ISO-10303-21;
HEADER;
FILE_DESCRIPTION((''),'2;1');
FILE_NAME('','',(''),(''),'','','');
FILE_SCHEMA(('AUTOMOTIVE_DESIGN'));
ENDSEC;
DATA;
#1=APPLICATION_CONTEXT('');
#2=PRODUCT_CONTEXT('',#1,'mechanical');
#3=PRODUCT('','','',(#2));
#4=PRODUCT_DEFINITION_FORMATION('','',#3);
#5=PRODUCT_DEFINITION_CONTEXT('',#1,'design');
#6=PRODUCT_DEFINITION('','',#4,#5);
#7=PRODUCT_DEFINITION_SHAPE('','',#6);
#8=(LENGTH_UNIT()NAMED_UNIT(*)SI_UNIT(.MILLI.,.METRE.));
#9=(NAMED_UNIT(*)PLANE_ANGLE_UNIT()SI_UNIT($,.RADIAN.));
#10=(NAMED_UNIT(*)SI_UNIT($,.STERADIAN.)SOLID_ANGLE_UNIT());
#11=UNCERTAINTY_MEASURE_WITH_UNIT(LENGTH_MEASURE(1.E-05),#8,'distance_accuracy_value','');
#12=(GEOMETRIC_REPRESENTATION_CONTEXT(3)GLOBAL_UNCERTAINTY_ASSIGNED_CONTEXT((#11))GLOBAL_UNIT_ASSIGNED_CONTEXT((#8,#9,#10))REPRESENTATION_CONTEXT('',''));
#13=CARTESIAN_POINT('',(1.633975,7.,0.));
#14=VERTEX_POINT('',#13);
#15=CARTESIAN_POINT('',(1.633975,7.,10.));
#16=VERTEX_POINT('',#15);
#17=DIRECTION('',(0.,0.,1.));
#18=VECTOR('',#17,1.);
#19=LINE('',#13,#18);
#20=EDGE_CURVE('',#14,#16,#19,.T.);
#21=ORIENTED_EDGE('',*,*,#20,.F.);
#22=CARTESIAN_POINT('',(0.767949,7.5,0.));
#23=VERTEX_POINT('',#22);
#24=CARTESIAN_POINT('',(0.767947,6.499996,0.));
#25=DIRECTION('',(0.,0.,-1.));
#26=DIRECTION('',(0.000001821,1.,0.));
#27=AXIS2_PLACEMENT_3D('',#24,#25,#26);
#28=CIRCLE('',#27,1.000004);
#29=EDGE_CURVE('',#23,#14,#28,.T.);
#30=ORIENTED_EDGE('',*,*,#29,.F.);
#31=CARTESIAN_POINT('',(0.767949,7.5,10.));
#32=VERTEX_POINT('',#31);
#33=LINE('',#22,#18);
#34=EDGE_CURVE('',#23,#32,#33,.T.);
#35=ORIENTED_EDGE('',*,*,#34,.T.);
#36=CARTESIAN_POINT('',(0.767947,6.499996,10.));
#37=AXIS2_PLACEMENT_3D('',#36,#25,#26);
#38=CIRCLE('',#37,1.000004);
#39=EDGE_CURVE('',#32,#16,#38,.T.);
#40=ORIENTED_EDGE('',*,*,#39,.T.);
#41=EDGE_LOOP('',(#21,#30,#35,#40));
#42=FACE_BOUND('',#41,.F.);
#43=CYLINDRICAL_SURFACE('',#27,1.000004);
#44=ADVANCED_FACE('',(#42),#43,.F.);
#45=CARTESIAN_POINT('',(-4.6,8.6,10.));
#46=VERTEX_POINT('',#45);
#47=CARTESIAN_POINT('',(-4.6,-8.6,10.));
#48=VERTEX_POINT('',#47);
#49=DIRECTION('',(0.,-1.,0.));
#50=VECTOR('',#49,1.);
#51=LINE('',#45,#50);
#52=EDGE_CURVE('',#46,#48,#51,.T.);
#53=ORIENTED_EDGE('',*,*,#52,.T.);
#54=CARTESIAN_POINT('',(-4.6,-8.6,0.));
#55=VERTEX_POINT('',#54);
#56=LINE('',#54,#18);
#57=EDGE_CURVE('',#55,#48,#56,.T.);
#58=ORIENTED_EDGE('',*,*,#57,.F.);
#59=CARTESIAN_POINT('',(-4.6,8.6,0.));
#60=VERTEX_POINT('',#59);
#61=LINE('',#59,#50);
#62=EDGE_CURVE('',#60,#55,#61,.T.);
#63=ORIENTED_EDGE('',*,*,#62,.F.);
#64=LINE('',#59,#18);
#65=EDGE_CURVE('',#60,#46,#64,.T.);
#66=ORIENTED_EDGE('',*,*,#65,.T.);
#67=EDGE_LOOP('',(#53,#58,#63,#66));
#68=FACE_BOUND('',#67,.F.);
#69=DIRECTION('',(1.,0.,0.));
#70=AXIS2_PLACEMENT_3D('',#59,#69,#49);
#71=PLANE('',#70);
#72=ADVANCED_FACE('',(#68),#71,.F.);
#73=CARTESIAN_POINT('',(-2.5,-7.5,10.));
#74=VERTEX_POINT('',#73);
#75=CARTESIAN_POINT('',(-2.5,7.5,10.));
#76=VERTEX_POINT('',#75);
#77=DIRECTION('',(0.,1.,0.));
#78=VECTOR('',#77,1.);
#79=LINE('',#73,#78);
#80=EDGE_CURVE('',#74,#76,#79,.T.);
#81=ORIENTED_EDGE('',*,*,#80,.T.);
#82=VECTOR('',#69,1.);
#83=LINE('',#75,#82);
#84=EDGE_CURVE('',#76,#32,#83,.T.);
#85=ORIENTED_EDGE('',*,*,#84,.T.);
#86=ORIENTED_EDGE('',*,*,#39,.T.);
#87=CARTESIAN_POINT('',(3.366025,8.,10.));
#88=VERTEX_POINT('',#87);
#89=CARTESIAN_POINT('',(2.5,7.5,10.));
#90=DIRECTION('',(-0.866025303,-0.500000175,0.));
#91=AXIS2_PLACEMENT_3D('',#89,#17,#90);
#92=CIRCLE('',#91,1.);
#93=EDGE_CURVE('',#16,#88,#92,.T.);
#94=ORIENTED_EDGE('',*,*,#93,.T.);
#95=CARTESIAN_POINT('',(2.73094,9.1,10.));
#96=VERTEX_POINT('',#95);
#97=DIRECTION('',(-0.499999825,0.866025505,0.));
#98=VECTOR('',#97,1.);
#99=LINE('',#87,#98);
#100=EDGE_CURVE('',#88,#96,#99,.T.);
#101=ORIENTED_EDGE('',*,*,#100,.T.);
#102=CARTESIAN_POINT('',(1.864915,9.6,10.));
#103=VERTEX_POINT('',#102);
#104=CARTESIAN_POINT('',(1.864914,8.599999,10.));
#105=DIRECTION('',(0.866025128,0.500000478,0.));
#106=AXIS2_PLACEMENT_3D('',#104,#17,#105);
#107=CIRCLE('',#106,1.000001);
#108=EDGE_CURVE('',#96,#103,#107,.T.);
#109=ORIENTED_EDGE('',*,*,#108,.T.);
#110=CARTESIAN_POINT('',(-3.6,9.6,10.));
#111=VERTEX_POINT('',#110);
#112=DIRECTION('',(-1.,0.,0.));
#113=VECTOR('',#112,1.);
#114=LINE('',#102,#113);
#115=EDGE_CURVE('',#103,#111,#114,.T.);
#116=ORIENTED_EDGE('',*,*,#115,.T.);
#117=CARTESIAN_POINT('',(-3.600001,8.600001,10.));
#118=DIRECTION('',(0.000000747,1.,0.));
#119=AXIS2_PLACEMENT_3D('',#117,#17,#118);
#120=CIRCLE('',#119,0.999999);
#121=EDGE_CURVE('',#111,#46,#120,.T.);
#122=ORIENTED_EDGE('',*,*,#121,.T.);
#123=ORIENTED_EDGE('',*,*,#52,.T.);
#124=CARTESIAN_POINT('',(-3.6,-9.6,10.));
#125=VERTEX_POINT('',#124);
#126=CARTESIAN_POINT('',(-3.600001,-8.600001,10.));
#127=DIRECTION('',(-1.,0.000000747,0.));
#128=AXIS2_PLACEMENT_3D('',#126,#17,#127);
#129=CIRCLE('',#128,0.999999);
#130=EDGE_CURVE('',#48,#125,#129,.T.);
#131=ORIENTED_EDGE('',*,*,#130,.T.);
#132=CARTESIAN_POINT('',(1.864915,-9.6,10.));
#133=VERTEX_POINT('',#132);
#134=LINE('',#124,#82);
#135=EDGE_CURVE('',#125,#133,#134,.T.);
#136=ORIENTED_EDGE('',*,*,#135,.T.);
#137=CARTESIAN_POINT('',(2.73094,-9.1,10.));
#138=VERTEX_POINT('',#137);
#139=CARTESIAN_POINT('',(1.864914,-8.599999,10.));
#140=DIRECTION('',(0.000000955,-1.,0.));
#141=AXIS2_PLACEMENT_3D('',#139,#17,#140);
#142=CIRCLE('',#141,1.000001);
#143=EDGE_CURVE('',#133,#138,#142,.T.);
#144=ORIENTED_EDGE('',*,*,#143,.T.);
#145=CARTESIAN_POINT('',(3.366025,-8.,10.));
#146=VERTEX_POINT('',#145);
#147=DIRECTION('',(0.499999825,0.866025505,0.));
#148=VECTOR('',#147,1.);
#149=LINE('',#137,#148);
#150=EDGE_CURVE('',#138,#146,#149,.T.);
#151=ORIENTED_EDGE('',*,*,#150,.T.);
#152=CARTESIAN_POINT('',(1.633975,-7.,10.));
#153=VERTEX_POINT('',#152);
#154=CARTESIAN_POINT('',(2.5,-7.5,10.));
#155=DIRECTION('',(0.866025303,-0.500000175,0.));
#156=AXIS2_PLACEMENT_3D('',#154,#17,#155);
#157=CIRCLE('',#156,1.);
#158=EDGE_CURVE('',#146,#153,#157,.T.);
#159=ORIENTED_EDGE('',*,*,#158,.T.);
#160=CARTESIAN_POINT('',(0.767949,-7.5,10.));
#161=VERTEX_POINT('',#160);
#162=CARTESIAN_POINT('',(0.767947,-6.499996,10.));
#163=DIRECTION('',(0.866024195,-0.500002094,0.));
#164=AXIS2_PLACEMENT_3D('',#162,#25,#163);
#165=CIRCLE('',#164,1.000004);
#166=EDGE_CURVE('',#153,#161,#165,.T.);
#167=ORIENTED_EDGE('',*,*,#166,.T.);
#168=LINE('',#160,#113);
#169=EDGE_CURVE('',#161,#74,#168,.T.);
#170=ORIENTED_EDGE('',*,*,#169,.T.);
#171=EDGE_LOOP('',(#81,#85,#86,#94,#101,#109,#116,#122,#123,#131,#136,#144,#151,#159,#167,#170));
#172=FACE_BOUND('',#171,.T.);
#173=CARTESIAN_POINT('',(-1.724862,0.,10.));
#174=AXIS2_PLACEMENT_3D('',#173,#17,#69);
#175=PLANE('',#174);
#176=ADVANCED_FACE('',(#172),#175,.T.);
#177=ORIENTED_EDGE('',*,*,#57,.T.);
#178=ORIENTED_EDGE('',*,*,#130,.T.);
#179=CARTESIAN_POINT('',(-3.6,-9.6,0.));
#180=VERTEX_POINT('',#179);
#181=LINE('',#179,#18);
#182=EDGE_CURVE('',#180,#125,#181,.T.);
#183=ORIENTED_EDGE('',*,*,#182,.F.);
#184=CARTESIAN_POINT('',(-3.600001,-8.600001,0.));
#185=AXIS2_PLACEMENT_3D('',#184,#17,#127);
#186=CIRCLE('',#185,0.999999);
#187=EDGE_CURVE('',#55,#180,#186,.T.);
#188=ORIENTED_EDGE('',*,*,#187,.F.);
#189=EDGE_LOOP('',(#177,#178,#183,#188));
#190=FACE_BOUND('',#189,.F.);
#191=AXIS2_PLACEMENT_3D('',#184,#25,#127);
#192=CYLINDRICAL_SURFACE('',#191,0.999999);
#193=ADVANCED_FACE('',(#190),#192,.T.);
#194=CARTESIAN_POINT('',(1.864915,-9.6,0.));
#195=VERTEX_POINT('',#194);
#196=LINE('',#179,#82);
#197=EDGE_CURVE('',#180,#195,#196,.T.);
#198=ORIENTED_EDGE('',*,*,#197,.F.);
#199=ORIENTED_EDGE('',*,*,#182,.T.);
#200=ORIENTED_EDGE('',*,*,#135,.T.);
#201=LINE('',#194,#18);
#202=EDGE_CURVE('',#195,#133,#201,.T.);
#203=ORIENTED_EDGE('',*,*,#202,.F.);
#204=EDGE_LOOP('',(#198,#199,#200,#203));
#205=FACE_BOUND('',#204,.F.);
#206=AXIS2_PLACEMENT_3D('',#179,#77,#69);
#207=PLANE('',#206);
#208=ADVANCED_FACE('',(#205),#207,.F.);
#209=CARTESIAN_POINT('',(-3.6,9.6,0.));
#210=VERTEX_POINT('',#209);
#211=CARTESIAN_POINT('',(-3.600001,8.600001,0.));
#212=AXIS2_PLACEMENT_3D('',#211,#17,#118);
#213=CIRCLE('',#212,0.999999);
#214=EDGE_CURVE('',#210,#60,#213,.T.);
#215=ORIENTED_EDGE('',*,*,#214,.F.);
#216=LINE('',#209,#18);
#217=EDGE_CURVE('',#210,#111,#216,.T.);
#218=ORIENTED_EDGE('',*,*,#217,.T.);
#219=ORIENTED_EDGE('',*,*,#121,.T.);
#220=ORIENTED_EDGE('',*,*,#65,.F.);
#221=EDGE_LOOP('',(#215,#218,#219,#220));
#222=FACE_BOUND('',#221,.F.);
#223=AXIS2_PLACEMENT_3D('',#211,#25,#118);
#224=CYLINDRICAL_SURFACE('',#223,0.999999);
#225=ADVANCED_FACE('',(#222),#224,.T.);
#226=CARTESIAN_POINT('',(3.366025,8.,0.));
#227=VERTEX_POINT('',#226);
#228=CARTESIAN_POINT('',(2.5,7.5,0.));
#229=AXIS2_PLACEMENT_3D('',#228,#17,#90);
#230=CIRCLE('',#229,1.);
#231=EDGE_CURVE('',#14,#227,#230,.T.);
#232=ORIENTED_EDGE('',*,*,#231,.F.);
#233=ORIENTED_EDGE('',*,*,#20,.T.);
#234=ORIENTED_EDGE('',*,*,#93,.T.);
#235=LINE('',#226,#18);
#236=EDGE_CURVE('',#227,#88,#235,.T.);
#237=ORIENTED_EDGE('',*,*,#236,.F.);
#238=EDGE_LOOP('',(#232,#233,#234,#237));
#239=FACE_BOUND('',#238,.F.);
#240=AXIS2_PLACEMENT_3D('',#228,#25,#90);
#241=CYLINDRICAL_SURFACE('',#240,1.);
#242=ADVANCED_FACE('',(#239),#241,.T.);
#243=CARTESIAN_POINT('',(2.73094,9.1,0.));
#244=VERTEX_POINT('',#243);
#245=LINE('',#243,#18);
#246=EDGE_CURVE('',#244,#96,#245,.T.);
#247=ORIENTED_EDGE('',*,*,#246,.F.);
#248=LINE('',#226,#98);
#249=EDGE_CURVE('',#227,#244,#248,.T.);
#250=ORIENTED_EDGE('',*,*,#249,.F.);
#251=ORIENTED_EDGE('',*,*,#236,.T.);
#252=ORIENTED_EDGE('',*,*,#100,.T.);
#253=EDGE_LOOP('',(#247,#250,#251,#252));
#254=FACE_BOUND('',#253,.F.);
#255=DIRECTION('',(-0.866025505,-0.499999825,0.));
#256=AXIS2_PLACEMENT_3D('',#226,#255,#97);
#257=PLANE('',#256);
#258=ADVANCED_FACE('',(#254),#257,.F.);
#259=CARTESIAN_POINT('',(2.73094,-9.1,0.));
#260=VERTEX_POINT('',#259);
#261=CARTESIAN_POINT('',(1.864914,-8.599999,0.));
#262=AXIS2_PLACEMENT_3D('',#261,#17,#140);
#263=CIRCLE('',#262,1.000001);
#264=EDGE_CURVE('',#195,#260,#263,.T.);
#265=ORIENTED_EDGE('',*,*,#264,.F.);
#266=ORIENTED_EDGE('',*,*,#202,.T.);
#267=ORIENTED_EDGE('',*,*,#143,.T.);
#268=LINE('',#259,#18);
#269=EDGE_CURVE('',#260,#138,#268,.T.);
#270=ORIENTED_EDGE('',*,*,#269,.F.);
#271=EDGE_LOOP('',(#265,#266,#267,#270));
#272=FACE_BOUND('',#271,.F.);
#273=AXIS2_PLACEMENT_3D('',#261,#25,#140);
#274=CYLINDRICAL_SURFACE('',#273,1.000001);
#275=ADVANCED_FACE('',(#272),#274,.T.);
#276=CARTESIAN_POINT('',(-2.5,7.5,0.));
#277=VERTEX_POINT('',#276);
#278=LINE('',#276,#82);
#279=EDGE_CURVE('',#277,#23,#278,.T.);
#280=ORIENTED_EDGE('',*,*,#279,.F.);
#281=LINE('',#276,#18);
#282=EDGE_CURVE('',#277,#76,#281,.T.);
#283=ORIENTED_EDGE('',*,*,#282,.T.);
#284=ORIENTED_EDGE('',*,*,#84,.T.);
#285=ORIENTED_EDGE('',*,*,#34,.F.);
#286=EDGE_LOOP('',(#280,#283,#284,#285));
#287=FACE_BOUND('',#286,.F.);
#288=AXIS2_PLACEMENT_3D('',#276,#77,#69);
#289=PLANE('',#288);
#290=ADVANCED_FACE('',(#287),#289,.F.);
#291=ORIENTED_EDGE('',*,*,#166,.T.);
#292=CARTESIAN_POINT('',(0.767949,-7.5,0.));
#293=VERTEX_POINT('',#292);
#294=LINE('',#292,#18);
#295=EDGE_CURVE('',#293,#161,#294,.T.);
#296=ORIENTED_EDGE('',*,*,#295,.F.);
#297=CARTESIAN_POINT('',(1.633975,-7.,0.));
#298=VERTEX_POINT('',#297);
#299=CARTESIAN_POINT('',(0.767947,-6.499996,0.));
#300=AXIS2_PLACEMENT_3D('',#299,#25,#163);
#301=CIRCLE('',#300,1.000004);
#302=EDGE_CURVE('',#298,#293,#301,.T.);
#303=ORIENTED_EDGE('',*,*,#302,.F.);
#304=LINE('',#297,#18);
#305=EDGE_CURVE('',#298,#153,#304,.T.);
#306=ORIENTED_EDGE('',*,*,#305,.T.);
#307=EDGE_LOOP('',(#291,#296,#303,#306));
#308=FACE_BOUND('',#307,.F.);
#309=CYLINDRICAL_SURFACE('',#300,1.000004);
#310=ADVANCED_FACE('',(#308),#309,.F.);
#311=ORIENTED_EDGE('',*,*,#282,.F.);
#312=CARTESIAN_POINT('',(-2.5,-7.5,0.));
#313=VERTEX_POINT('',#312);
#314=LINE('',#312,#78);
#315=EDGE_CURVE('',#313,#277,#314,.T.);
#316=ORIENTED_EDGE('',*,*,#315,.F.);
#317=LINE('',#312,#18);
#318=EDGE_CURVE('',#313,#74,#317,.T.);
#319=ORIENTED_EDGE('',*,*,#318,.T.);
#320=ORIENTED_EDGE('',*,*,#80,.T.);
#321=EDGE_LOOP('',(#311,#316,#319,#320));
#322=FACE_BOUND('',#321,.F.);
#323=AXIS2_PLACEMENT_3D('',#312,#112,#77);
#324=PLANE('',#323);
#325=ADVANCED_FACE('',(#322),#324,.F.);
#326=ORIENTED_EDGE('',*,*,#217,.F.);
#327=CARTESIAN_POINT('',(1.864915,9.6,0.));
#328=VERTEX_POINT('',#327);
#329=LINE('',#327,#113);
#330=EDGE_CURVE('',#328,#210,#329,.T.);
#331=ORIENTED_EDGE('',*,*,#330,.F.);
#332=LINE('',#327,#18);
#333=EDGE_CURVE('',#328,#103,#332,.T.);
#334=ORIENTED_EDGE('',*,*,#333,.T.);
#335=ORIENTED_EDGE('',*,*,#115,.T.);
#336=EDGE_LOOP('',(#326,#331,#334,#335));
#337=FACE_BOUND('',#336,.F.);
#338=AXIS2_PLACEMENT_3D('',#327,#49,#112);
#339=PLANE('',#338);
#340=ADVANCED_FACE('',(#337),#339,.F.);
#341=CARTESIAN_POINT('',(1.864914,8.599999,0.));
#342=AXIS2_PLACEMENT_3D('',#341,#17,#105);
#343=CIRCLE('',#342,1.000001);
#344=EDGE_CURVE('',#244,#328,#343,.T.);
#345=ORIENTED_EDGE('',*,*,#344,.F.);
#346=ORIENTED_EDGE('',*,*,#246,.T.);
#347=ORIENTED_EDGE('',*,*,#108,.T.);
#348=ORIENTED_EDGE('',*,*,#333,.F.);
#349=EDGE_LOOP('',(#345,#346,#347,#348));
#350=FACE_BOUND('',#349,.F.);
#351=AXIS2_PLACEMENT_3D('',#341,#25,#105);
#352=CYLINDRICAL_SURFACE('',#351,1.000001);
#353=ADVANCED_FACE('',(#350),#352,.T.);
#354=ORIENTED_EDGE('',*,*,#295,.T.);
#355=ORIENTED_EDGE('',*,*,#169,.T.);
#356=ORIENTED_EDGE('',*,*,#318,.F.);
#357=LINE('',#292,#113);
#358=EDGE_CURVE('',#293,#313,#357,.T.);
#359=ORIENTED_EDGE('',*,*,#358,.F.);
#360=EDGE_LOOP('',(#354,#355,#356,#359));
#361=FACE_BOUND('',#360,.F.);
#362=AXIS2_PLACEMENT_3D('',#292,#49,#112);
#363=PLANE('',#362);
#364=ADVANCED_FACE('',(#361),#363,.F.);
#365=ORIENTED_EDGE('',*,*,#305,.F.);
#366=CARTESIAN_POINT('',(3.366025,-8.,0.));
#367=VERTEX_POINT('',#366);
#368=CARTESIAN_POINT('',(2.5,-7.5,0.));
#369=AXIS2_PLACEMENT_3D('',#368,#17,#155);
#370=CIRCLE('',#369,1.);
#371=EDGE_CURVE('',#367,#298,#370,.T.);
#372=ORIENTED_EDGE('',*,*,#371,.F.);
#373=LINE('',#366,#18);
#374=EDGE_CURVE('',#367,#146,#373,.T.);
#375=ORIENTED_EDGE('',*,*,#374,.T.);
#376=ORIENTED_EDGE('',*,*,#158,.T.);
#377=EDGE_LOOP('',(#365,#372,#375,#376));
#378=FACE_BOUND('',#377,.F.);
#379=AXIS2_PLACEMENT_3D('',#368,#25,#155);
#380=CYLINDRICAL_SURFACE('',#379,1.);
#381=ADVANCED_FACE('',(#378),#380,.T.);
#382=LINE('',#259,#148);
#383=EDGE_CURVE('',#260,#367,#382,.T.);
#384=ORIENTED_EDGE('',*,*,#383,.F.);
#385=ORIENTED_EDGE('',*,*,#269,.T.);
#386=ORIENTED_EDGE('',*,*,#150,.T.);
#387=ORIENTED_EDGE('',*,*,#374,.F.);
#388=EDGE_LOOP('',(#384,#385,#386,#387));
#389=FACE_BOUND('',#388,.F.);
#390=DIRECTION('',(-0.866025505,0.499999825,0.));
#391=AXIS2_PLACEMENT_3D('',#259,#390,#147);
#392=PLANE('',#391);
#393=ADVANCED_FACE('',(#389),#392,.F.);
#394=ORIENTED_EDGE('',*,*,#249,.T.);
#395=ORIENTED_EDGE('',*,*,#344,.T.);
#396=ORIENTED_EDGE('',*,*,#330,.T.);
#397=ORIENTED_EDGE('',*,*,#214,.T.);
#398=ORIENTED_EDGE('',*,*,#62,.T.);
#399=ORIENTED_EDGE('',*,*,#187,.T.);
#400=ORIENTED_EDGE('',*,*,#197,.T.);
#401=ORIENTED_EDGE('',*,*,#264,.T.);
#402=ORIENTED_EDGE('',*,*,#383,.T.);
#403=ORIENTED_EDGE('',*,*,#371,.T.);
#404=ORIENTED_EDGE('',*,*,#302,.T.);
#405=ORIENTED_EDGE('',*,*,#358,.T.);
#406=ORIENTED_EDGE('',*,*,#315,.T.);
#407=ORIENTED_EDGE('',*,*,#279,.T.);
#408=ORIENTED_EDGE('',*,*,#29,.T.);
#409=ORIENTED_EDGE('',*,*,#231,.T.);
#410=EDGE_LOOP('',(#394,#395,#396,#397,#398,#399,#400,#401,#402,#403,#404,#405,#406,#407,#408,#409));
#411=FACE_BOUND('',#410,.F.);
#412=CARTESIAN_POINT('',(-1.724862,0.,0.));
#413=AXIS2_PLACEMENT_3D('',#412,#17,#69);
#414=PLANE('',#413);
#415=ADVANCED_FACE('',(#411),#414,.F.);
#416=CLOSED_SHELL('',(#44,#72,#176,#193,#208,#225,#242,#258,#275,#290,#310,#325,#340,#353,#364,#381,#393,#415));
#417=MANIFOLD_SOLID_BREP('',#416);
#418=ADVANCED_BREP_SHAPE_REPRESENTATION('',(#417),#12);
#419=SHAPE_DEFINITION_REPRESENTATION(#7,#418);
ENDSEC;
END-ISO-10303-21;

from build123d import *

# Parameters (mm, degrees)
F1_DEPTH = 10


with BuildPart() as f1:
    # F0 (on Top) → F1 (new body)
    with BuildSketch(Plane.XY):
        with BuildLine():
            Line((-2.5, -7.5), (-2.5, 7.5))
            Line((-2.5, 7.5), (0.767949, 7.5))
            ThreePointArc((0.767949, 7.5), (1.267949, 7.366025), (1.633975, 7))
            ThreePointArc((1.633975, 7), (3, 6.633975), (3.366025, 8))
            Line((3.366025, 8), (2.73094, 9.1))
            ThreePointArc((2.73094, 9.1), (2.364915, 9.466025), (1.864915, 9.6))
            Line((1.864915, 9.6), (-3.6, 9.6))
            ThreePointArc((-3.6, 9.6), (-4.307107, 9.307107), (-4.6, 8.6))
            Line((-4.6, 8.6), (-4.6, -8.6))
            ThreePointArc((-4.6, -8.6), (-4.307107, -9.307107), (-3.6, -9.6))
            Line((-3.6, -9.6), (1.864915, -9.6))
            ThreePointArc((1.864915, -9.6), (2.364915, -9.466025), (2.73094, -9.1))
            Line((2.73094, -9.1), (3.366025, -8))
            ThreePointArc((3.366025, -8), (3, -6.633975), (1.633975, -7))
            ThreePointArc((1.633975, -7), (1.267949, -7.366025), (0.767949, -7.5))
            Line((0.767949, -7.5), (-2.5, -7.5))
        make_face()
    extrude(amount=F1_DEPTH)


solid = f1.part
